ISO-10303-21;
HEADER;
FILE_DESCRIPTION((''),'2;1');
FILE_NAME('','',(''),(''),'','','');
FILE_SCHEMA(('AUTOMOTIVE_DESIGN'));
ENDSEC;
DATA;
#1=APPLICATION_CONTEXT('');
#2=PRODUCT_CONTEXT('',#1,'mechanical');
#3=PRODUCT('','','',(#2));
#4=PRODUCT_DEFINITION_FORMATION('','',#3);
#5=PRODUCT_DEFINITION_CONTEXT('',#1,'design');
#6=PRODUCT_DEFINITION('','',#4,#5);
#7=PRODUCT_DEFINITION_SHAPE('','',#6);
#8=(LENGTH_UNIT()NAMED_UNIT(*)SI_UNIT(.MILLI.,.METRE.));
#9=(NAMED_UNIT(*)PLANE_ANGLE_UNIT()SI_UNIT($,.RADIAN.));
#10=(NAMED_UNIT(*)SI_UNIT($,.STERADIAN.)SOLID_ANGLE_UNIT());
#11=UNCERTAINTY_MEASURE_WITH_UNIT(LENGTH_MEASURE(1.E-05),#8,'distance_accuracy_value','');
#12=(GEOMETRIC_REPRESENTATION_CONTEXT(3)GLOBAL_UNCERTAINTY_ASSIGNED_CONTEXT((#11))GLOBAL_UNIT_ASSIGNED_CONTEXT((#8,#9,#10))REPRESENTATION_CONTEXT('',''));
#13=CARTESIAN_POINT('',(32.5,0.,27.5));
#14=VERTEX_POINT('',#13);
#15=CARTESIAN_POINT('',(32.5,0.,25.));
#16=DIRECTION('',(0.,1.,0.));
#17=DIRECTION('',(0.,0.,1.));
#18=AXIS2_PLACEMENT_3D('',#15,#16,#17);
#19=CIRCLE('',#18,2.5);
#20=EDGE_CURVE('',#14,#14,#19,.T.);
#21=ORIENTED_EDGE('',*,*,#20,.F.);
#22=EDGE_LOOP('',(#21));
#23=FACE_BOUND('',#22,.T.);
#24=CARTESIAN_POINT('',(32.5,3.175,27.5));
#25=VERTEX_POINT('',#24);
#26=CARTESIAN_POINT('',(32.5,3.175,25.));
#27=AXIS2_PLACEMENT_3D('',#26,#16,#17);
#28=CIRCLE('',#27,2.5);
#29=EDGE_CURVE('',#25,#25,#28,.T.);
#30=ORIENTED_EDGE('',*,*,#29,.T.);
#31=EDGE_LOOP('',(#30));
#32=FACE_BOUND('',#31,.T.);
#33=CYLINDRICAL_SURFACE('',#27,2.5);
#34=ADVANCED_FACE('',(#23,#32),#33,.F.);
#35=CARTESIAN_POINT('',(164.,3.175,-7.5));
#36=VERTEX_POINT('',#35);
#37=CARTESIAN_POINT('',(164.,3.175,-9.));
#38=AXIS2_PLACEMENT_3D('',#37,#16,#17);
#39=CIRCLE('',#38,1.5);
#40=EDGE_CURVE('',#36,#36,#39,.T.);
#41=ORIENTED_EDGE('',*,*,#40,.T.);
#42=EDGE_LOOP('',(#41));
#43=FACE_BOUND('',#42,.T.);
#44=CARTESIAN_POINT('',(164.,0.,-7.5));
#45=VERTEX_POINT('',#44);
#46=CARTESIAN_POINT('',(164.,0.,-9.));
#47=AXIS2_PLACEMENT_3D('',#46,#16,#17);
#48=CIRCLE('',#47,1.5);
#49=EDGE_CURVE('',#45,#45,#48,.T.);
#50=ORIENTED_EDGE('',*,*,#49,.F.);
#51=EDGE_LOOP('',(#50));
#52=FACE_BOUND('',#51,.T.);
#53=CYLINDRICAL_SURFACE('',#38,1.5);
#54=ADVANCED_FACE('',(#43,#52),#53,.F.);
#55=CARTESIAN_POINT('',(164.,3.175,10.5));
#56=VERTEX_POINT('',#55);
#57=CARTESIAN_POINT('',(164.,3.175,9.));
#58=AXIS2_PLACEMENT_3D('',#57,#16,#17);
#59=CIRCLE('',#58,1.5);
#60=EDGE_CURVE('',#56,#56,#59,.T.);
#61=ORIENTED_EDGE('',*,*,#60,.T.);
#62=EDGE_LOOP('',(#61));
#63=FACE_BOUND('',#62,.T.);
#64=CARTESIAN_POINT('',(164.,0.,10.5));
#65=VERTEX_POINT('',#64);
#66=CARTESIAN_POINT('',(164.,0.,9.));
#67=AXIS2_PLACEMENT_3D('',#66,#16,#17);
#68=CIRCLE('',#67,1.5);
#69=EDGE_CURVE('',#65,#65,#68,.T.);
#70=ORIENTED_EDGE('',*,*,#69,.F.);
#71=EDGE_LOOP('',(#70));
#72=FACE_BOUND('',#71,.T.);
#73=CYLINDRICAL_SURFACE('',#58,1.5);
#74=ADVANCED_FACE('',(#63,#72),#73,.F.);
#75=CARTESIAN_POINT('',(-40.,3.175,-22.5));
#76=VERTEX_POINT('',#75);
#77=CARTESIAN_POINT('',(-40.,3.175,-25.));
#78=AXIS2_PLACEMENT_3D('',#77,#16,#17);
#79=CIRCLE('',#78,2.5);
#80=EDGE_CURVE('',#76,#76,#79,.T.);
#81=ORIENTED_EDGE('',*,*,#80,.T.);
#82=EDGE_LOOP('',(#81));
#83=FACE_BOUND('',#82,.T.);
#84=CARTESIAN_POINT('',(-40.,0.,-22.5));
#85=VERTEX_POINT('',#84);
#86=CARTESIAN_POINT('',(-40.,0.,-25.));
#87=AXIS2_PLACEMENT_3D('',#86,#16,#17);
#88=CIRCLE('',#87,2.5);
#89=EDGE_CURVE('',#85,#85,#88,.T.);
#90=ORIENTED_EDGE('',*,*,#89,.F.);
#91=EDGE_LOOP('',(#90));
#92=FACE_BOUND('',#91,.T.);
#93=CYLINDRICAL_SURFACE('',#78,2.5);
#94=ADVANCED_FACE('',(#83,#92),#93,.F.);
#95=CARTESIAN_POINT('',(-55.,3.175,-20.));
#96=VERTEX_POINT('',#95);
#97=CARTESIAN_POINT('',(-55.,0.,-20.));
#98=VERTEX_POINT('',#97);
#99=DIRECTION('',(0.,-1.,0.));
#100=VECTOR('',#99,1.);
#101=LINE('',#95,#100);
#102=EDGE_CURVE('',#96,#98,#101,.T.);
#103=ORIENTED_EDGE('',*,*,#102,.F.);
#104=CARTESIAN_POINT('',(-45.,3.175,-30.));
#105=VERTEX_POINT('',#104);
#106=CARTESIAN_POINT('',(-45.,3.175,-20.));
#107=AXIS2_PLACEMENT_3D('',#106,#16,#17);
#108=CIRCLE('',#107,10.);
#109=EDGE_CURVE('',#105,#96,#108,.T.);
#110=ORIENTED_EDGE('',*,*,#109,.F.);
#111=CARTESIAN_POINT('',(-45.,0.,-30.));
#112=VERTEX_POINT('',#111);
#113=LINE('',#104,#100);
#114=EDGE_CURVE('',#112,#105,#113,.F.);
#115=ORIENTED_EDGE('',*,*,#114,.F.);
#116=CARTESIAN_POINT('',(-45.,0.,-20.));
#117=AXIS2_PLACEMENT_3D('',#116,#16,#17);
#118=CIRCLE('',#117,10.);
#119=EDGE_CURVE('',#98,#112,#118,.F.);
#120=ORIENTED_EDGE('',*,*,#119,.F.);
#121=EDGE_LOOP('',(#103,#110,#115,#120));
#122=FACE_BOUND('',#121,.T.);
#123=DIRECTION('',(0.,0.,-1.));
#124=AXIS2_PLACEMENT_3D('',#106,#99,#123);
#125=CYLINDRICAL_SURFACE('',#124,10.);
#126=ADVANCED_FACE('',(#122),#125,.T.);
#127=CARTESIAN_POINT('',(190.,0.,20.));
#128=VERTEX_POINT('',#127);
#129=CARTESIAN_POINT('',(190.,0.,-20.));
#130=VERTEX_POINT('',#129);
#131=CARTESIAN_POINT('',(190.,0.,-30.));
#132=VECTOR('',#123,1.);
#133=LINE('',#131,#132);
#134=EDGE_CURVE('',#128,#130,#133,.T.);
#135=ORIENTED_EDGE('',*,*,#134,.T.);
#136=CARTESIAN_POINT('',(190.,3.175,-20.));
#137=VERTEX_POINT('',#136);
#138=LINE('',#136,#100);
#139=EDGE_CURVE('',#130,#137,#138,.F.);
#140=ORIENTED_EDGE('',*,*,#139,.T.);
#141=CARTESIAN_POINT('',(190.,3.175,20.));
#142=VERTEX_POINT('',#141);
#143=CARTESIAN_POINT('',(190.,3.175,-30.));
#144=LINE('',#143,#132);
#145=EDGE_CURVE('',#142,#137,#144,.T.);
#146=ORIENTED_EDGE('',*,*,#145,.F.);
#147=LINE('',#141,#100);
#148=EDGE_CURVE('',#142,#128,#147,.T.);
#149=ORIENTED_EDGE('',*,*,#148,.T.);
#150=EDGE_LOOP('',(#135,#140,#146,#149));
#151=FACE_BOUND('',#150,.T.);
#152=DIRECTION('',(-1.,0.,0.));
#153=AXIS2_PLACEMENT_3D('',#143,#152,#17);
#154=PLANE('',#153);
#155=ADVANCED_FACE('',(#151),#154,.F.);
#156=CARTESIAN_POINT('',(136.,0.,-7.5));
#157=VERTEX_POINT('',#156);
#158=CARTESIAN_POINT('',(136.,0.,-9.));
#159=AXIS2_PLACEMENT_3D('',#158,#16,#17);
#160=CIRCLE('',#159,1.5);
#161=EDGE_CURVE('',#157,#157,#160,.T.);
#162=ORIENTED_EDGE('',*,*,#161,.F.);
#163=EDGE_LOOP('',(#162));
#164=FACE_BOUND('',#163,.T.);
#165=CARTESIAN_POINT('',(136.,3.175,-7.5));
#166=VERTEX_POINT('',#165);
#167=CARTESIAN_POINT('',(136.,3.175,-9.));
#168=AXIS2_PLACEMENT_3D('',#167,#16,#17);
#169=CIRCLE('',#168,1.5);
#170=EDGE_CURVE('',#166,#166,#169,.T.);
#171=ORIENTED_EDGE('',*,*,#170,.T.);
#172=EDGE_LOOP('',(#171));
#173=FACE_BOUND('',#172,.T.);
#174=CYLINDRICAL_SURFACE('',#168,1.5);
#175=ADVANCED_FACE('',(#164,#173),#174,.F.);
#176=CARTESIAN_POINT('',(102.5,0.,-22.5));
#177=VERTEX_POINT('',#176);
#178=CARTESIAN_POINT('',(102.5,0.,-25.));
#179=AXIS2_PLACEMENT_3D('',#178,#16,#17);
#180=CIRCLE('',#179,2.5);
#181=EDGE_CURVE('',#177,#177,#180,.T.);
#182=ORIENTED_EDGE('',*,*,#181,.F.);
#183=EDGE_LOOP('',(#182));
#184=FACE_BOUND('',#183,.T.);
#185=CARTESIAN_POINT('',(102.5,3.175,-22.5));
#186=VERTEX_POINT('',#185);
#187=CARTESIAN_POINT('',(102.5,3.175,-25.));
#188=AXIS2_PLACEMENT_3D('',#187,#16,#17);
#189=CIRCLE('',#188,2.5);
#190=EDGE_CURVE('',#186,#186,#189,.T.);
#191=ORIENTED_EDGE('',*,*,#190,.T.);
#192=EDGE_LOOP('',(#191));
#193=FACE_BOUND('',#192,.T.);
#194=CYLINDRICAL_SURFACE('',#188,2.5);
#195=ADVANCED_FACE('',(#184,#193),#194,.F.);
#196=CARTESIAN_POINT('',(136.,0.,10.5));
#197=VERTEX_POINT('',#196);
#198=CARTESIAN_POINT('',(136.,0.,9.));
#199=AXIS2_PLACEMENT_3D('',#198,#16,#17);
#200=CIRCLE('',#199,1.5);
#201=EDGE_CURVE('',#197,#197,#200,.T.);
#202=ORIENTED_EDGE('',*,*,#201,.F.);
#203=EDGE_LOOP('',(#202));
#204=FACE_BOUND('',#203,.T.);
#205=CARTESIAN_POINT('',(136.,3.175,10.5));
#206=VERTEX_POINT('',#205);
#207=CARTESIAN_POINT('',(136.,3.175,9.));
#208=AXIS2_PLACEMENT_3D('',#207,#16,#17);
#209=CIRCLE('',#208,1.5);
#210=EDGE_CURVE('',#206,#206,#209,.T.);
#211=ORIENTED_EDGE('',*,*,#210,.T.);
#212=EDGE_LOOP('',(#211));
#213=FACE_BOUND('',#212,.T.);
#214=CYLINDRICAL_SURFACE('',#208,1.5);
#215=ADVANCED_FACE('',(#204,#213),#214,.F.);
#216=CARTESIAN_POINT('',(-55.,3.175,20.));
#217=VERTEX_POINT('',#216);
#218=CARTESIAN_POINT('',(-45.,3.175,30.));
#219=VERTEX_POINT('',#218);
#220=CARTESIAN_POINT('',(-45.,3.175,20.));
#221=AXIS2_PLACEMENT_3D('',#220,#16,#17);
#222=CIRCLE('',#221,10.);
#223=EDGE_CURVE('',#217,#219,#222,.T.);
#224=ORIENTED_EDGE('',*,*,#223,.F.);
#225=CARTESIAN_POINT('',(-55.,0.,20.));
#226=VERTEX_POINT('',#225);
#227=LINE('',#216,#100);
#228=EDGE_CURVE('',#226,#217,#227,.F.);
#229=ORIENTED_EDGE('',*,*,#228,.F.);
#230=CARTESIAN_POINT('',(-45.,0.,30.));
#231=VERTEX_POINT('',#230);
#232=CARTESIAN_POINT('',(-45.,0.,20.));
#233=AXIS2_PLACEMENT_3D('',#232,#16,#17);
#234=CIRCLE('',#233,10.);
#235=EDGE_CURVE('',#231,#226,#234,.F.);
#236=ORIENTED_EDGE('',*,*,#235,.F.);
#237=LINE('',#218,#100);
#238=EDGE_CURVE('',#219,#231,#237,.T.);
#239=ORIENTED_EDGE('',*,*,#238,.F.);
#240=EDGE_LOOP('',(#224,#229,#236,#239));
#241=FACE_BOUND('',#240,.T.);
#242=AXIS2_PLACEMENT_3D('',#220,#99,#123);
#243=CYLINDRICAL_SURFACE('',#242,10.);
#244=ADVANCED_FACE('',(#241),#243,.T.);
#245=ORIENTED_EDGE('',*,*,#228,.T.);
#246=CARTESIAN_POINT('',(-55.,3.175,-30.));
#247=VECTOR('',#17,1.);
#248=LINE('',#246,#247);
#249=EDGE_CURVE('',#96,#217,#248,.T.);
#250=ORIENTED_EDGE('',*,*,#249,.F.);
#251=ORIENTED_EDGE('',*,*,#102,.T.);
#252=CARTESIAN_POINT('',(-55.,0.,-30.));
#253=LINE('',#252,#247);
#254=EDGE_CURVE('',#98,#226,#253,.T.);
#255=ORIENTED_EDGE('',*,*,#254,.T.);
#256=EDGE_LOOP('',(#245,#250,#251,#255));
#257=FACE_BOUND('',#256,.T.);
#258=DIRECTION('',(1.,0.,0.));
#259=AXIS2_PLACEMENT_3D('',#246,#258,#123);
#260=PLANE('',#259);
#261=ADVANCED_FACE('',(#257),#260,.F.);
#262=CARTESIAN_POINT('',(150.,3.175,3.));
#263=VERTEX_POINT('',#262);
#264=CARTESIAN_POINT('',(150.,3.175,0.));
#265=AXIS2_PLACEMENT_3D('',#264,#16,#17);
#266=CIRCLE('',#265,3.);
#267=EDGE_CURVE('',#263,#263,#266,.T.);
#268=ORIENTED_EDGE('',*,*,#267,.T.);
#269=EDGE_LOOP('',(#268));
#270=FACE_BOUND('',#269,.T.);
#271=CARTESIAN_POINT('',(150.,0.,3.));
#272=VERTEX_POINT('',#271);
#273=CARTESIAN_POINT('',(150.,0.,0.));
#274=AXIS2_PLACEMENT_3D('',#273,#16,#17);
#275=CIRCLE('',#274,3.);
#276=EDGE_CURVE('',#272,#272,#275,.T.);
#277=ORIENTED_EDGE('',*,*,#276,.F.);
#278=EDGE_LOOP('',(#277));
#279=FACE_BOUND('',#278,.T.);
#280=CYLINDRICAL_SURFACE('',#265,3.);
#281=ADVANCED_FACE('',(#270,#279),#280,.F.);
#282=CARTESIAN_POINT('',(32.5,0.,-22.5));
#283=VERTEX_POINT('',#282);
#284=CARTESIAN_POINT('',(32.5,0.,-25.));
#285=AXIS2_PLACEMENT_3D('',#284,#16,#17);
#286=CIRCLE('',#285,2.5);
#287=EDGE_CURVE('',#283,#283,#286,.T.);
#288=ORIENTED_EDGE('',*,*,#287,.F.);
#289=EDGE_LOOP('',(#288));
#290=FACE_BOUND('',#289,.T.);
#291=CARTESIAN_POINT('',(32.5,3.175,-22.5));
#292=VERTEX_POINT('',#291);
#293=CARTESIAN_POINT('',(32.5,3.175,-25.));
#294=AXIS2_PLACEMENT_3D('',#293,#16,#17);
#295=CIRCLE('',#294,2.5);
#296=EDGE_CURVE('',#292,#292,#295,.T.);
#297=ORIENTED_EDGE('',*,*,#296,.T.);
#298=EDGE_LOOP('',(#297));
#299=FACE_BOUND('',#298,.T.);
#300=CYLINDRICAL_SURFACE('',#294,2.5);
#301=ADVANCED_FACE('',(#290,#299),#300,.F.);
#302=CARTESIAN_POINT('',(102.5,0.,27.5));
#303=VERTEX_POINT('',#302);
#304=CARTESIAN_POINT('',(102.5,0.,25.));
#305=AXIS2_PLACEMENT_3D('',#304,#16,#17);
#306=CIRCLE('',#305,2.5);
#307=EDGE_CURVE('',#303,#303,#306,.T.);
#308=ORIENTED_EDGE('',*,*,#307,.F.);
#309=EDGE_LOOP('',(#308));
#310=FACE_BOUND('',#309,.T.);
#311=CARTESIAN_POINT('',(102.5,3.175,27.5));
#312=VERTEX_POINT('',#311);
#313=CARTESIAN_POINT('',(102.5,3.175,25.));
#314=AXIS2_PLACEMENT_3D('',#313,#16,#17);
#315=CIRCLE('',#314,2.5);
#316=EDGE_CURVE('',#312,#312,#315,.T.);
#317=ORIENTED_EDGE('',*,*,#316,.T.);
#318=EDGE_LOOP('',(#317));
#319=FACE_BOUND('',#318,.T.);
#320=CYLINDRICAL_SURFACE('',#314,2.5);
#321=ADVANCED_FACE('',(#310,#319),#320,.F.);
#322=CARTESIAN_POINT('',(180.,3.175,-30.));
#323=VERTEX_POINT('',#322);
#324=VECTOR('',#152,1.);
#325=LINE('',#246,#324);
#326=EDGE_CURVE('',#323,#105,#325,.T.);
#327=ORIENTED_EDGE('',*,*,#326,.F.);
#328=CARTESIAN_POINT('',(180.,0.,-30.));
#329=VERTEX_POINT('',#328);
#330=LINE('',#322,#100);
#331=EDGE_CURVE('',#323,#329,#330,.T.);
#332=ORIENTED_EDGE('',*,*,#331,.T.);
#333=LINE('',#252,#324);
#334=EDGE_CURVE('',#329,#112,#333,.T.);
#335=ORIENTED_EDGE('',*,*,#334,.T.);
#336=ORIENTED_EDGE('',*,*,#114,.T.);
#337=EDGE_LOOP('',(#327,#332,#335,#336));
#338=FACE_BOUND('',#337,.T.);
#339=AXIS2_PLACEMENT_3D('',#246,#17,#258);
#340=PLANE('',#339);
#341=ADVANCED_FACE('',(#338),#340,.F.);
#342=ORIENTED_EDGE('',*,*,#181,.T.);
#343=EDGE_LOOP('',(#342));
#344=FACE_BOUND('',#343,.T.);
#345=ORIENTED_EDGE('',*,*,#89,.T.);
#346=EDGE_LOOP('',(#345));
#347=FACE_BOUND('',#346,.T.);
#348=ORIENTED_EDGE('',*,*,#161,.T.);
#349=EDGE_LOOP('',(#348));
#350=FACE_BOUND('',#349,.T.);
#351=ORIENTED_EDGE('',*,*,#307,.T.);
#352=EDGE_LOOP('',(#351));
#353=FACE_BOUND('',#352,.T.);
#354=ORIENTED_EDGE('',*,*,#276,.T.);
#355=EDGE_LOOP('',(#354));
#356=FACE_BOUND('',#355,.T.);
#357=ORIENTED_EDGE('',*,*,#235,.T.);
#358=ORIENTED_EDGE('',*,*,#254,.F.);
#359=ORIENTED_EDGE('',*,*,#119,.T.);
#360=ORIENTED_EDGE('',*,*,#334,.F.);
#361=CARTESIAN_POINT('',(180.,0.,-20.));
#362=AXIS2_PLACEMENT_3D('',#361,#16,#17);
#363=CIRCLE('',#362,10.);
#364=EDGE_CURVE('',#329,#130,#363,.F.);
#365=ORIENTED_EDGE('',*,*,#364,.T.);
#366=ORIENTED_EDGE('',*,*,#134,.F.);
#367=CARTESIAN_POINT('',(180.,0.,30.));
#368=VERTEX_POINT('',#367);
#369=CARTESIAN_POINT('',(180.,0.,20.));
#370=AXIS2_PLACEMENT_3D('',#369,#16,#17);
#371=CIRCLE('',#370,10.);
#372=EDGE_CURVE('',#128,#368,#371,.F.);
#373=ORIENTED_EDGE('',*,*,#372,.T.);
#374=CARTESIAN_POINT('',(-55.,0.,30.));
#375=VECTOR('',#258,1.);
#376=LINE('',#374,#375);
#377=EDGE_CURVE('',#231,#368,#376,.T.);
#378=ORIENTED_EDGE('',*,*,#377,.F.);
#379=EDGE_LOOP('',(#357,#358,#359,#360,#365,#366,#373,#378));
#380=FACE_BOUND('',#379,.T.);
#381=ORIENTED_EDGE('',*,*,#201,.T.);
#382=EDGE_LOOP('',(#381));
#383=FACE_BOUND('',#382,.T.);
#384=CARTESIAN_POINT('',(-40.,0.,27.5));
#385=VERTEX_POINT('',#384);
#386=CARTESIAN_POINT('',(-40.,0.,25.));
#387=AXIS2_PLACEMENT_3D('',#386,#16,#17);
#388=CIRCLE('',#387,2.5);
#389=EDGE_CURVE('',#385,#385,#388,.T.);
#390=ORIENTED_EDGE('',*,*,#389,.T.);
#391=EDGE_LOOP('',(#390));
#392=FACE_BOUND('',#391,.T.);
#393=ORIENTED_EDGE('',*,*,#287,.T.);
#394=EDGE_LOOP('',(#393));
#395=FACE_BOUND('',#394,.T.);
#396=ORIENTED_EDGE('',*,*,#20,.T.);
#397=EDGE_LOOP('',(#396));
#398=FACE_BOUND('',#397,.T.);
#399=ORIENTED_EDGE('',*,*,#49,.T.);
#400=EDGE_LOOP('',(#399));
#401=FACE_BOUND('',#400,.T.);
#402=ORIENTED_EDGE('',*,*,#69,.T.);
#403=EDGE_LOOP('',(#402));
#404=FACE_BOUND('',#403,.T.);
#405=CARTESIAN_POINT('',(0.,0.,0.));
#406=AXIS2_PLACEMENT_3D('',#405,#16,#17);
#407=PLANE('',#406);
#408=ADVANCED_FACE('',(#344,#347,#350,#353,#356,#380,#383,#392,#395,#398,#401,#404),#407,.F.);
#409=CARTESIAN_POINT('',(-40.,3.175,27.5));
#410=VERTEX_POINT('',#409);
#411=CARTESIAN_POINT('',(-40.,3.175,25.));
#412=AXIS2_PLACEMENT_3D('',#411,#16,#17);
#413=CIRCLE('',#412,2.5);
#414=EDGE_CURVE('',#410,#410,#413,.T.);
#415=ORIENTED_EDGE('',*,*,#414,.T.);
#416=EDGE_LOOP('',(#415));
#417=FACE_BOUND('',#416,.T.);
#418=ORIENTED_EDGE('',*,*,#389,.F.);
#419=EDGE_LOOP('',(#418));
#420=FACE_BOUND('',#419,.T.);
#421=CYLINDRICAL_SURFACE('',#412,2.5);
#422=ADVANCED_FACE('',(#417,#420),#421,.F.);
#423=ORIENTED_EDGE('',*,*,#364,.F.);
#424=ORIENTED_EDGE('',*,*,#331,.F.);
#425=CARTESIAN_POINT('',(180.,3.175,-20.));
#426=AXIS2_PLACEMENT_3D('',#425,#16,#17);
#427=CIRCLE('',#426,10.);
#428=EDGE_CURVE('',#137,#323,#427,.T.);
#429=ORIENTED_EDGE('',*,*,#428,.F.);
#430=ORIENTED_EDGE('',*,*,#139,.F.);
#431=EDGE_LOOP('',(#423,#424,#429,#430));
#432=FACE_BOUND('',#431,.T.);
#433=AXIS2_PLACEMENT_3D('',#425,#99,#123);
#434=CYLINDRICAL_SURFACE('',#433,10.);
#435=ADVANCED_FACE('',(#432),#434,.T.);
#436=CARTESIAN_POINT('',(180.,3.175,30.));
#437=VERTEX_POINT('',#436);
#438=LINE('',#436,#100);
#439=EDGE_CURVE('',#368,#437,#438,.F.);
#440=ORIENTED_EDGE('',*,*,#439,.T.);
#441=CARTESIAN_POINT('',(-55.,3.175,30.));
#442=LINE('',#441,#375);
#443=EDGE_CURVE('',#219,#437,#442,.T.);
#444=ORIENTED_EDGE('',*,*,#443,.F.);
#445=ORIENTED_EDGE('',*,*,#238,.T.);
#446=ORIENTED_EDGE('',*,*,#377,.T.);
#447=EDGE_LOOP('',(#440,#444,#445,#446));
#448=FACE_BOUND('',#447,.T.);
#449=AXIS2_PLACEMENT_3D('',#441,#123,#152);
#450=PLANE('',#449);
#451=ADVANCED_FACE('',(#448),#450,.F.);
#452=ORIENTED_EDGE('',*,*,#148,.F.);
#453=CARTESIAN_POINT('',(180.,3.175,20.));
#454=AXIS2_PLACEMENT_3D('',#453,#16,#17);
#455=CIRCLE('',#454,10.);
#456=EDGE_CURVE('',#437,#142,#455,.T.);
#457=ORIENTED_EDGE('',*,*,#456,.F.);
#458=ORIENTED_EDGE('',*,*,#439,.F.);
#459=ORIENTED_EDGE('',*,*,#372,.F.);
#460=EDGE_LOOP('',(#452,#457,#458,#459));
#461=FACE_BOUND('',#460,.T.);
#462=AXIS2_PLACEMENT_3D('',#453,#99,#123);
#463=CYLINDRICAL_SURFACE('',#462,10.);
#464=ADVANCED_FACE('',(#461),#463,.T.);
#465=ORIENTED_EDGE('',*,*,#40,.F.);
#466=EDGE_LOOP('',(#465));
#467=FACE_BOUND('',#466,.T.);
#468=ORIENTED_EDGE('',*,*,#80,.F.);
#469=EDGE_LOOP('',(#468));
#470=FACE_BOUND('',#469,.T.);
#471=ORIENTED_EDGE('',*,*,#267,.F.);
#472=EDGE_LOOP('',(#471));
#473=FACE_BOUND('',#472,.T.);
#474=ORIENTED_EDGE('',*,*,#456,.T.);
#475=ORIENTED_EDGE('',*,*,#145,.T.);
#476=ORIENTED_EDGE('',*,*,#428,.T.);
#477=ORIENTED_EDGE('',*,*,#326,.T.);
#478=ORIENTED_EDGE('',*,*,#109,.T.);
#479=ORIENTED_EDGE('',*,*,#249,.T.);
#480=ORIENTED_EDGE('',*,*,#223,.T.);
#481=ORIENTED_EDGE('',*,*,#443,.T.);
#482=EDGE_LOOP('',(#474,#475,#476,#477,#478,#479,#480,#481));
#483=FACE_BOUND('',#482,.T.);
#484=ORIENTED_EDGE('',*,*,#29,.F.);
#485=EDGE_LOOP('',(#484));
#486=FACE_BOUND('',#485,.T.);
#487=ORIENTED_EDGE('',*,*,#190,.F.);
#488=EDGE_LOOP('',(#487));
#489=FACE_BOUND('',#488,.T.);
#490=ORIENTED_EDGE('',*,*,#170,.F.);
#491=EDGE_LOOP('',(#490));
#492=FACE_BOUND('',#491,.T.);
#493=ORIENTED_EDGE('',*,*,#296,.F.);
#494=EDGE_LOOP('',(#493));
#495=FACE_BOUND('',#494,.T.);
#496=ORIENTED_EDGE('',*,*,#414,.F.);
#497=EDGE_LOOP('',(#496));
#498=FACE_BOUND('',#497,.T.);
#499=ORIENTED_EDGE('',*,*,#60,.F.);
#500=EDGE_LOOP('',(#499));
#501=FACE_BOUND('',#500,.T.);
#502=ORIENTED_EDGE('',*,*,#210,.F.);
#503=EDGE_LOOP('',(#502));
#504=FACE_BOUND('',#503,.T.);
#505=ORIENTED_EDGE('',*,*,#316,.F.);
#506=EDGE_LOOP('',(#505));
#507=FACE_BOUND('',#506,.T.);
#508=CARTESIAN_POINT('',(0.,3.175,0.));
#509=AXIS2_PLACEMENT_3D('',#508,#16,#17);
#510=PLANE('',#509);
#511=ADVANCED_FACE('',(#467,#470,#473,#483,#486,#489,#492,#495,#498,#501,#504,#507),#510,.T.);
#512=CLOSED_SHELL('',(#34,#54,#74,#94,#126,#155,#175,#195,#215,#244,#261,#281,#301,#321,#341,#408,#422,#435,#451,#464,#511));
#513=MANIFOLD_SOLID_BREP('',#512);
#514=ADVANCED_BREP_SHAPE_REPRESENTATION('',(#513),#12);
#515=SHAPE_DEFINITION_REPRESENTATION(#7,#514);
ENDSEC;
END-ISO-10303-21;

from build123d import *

# Parameters (mm, degrees)
SKETCH1_W             = 245
SKETCH1_H             = 60
BOSS_EXTRUDE1_DEPTH   = 3.175
FILLET1_R             = 10
F_6_0MM_DOWEL_HOLE1_D = 6
F_3_0MM_DOWEL_HOLE1_D = 3
F_5_0MM_DOWEL_HOLE1_D = 5


with BuildPart() as part:
    # Sketch1 → Boss-Extrude1 (new body)
    with BuildSketch(Plane(origin=(0, 0, 0), x_dir=(1, 0, 0), z_dir=(0, 1, 0))):
        with Locations((67.5, 0)):
            Rectangle(SKETCH1_W, SKETCH1_H)
    extrude(amount=BOSS_EXTRUDE1_DEPTH)

    # Fillet1
    fillet1_edges = [part.edges().sort_by_distance(p)[0] for p in [
        (-55, 1.5875, -30),
        (190, 1.5875, -30),
        (190, 1.5875, 30),
        (-55, 1.5875, 30),
    ]]
    fillet(fillet1_edges, radius=FILLET1_R)

    # Ø6.0mm Dowel Hole1 (through all)
    with Locations(Plane(origin=(0, 3.175, 0), x_dir=(1, 0, 0), z_dir=(0, 1, 0))):
        with Locations((150, 0)):
            Hole(F_6_0MM_DOWEL_HOLE1_D / 2)

    # Ø3.0mm Dowel Hole1 (through all)
    with Locations(Plane(origin=(0, 3.175, 0), x_dir=(1, 0, 0), z_dir=(0, 1, 0))):
        with Locations((164, -9), (136, -9), (136, 9), (164, 9)):
            Hole(F_3_0MM_DOWEL_HOLE1_D / 2)

    # Ø5.0mm Dowel Hole1 (through all)
    with Locations(Plane(origin=(0, 3.175, 0), x_dir=(1, 0, 0), z_dir=(0, 1, 0))):
        with Locations((32.5, -25), (102.5, -25), (102.5, 25), (32.5, 25), (-40, -25), (-40, 25)):
            Hole(F_5_0MM_DOWEL_HOLE1_D / 2)


solid = part.part
